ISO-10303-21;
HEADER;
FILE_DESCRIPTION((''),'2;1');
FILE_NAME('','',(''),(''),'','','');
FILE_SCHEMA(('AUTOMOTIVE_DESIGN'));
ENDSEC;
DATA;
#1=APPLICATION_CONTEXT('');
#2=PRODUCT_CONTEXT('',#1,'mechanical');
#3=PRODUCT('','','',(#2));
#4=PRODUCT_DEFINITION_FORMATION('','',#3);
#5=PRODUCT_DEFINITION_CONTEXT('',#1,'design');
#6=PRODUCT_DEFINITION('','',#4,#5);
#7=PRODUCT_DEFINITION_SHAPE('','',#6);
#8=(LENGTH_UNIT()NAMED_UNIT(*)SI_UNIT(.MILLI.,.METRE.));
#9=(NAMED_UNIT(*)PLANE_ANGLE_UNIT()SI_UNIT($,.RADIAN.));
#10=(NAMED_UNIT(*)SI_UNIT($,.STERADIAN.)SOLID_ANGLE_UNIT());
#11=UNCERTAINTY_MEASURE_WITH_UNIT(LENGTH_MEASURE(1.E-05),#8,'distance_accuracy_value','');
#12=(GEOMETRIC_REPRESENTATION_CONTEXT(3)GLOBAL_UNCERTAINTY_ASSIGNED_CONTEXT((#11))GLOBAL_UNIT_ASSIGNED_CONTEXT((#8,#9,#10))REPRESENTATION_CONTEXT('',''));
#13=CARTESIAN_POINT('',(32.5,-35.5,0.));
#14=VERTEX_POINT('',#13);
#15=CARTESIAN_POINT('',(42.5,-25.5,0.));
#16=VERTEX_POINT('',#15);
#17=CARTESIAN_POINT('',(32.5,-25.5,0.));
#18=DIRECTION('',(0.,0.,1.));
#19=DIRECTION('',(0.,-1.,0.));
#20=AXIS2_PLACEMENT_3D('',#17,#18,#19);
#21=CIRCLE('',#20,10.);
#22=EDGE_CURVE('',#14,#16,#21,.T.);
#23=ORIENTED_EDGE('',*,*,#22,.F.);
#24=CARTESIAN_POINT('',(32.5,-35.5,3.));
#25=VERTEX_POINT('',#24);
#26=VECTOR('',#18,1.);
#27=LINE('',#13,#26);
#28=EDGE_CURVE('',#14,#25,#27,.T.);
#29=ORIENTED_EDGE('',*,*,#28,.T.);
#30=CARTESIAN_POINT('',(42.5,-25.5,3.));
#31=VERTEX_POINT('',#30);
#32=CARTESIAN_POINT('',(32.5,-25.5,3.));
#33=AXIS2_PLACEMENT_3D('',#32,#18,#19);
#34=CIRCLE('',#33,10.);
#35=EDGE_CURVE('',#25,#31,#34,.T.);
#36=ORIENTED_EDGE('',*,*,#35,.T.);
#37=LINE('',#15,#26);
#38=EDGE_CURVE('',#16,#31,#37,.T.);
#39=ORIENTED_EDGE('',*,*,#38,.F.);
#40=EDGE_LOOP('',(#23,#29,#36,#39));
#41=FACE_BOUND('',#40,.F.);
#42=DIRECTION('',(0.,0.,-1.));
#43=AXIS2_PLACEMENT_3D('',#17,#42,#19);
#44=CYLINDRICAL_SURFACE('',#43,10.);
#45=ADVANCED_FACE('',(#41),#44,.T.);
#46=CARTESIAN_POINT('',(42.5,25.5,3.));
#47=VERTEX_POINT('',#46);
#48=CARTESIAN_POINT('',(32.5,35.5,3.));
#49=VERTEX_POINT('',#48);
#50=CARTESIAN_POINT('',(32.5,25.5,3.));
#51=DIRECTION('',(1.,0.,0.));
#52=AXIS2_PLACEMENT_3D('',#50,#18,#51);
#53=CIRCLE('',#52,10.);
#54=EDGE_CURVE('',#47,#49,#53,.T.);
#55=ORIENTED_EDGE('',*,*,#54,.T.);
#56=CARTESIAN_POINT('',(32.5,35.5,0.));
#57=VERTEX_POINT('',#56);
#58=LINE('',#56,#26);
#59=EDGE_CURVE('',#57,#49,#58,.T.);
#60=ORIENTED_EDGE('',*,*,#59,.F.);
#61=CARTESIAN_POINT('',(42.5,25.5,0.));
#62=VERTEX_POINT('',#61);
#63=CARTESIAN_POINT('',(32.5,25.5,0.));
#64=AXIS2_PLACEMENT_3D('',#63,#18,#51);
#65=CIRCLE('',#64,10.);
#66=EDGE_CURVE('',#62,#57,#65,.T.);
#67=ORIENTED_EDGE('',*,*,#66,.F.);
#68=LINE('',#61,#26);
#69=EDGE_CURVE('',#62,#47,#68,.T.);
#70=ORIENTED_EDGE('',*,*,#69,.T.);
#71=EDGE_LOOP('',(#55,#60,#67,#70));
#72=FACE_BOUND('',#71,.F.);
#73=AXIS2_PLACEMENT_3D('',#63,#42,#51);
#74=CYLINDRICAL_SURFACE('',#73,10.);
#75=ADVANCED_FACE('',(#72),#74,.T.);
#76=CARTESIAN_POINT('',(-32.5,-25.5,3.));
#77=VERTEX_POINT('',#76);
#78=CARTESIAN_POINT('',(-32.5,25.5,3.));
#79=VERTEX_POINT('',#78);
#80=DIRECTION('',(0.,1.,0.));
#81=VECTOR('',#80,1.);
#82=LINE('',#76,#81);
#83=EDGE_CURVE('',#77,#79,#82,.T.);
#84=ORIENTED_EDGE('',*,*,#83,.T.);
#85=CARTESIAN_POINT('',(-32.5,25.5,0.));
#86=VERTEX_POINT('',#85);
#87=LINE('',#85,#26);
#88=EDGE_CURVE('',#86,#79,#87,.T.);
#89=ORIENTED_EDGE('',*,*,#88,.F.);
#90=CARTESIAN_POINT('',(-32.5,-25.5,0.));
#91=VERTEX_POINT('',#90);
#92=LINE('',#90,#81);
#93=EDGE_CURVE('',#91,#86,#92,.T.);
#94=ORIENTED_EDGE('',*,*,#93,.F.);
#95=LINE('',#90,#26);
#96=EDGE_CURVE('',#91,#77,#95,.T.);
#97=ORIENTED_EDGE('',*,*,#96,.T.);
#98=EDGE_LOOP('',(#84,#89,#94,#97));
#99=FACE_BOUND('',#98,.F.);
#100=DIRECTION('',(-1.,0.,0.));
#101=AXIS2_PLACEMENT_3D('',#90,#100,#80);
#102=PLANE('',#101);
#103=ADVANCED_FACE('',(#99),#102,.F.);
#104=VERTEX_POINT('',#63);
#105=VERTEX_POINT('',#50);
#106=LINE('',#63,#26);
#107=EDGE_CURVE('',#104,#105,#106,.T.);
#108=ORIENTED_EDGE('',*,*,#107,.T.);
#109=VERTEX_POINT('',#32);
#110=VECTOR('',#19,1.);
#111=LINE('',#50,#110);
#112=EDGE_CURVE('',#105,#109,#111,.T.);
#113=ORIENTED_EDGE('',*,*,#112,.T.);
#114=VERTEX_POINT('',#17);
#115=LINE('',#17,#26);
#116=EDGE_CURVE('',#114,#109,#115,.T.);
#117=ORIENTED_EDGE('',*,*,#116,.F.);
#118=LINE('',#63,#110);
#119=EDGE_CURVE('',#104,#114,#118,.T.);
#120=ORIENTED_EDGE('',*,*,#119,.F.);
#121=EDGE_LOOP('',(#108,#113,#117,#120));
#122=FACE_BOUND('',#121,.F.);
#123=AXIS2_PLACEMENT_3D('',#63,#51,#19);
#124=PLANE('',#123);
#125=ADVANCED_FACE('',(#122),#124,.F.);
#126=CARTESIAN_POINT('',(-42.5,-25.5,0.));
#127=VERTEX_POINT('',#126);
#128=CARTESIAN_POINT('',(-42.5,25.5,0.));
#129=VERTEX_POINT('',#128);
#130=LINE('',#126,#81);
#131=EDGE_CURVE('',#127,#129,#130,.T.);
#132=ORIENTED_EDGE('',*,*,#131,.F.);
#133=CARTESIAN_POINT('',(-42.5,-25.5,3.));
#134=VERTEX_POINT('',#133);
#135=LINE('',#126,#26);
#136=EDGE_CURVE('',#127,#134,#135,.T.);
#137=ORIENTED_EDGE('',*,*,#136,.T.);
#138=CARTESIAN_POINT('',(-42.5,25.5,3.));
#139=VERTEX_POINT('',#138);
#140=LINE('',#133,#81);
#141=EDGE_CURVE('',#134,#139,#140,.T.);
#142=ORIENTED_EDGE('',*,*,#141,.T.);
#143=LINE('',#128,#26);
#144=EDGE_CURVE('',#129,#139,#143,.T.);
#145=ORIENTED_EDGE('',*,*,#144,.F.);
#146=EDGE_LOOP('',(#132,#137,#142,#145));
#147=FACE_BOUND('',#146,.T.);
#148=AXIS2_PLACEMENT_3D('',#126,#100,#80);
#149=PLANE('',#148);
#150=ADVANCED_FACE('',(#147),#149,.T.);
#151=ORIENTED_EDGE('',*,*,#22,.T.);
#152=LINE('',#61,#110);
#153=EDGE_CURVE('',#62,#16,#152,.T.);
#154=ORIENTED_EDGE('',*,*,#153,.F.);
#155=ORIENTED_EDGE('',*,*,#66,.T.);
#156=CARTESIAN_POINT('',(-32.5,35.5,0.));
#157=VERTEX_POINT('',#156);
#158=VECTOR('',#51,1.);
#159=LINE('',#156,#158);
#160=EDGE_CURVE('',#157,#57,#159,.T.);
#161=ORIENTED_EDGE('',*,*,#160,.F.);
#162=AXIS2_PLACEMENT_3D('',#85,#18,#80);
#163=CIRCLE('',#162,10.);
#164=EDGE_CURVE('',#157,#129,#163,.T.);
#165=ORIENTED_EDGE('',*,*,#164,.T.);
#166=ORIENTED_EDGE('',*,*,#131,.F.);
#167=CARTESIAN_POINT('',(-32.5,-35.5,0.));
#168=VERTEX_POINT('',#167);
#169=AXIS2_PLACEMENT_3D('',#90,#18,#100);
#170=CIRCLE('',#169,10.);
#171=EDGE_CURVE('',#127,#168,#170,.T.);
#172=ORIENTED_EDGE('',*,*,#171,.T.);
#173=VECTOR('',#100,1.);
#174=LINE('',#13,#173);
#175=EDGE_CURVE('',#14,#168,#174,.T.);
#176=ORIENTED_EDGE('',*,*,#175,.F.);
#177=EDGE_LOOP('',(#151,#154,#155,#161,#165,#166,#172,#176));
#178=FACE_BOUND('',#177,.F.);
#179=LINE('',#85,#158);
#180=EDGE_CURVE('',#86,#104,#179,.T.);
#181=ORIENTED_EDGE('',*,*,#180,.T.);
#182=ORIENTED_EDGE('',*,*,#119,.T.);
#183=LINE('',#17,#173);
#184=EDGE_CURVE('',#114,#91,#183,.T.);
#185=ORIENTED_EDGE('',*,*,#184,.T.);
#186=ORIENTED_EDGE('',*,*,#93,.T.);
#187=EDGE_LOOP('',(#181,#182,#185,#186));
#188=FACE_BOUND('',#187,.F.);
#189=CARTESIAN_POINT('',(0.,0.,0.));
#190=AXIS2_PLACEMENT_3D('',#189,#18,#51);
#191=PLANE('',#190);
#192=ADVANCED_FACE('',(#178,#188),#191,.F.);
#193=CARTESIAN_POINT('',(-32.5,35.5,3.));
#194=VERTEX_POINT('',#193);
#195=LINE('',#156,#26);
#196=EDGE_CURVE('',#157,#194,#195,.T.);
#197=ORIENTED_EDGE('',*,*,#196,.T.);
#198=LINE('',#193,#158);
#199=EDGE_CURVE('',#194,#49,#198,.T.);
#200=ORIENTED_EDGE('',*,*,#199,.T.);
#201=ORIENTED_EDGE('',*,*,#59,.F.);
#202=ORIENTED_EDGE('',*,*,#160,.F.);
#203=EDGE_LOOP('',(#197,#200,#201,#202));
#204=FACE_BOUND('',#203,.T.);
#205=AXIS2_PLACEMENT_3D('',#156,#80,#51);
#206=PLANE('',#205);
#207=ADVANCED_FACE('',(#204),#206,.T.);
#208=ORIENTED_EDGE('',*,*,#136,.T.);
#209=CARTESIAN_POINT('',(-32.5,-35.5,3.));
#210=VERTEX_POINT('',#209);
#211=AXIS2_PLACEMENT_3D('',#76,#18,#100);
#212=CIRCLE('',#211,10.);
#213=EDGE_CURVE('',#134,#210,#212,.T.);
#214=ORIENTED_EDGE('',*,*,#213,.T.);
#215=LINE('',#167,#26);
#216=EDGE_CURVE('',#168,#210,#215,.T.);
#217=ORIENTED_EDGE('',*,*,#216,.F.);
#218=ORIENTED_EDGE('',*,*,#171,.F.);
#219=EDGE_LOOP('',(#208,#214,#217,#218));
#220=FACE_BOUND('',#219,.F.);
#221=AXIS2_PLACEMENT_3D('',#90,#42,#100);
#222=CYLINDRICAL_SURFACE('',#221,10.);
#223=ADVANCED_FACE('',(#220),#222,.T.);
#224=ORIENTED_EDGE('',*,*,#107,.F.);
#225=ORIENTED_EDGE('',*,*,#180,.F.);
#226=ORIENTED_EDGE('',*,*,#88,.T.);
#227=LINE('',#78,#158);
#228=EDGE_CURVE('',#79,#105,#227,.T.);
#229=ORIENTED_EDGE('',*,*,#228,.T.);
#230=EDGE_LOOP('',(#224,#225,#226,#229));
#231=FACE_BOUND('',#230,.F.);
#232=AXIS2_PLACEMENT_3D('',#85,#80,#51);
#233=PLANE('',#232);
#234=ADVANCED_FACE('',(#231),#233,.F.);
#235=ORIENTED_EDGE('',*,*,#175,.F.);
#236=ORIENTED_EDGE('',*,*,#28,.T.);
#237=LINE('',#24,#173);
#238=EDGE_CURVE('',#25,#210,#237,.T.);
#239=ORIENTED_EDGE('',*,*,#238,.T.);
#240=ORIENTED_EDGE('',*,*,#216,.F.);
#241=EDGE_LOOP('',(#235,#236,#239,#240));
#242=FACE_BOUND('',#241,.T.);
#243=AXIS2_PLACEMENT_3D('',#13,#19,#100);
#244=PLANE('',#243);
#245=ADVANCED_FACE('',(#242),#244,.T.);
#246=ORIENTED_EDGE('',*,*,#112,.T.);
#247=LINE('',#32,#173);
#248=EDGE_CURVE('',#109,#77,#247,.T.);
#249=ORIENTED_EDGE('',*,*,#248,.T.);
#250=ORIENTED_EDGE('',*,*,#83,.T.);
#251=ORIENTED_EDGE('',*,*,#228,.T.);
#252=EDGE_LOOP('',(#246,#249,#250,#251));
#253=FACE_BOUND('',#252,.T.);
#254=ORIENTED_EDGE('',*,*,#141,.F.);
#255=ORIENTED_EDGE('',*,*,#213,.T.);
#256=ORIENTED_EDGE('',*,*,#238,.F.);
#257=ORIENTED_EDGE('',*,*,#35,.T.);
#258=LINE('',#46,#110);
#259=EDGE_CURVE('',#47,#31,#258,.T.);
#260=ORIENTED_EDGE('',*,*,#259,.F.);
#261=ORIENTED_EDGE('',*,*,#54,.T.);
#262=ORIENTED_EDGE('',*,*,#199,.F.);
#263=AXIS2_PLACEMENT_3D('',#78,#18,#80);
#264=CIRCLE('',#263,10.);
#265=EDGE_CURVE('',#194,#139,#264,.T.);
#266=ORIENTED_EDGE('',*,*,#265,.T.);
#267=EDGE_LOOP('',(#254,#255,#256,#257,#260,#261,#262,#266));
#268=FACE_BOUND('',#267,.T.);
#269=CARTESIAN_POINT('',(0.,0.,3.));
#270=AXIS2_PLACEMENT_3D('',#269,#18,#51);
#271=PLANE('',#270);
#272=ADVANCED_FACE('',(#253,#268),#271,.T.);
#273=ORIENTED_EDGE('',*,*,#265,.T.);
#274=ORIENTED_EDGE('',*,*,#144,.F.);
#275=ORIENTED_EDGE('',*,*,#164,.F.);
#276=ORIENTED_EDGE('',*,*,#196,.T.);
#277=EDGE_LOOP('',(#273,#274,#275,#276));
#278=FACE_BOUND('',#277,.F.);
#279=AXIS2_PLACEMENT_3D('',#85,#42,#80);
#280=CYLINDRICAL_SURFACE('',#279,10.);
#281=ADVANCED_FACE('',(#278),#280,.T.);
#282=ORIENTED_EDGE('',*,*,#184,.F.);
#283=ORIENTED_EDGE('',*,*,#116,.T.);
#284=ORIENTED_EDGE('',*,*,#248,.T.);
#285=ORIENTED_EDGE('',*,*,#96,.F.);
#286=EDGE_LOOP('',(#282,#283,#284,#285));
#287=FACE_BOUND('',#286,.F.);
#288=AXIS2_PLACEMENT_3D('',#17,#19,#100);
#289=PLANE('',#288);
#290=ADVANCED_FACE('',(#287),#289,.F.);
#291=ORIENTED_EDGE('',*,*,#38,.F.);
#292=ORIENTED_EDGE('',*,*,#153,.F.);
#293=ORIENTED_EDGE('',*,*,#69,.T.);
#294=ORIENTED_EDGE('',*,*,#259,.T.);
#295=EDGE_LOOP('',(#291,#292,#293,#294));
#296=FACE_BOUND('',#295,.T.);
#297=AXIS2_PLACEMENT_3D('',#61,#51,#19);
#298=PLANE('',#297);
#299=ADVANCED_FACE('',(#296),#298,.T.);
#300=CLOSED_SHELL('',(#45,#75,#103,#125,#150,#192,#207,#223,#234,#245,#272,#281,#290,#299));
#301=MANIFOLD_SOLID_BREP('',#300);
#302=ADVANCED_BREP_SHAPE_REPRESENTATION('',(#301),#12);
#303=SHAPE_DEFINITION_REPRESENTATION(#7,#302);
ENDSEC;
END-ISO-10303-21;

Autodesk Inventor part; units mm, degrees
ref_plane "YZ Plane" through (0, 0, 0) normal (1, 0, 0) x (0, 1, 0)
ref_plane "XZ Plane" through (0, 0, 0) normal (0, 1, 0) x (-1, 0, 0)
ref_plane "XY Plane" through (0, 0, 0) normal (0, 0, 1) x (1, 0, 0)
sketch "Sketch1" plane through (0, 0, 0) normal (0, 0, 1) x (1, 0, 0)
  line L0 (-32.5, 25.5) -> (32.5, 25.5)
  line L1 (32.5, 25.5) -> (32.5, -25.5)
  line L2 (32.5, -25.5) -> (-32.5, -25.5)
  line L3 (-32.5, -25.5) -> (-32.5, 25.5)
  line L4 (-32.5, 35.5) -> (32.5, 35.5)
  line L5 (42.5, 25.5) -> (42.5, -25.5)
  line L6 (32.5, -35.5) -> (-32.5, -35.5)
  line L7 (-42.5, -25.5) -> (-42.5, 25.5)
  arc A0 (-32.5, 35.5) -> (-42.5, 25.5) centre (-32.5, 25.5) ccw
  arc A1 (-42.5, -25.5) -> (-32.5, -35.5) centre (-32.5, -25.5) ccw
  arc A2 (32.5, -35.5) -> (42.5, -25.5) centre (32.5, -25.5) ccw
  arc A3 (42.5, 25.5) -> (32.5, 35.5) centre (32.5, 25.5) ccw
  point P0 (0, 0)
  point P1 (0, 25.5)
  point P2 (32.5, 0)
  point P3 (42.5, 0)
  point P4 (0, 35.5)
  dimension "d0" = 65
  dimension "d1" = 51
  dimension "d2" = 10
  dimension "d3" = 10
  dimension "d4" = 10
extrude "Extrusion1" add sketch "Sketch1" along normal blind 3
equation "\"d4\" = d3"
properties part number "Front_stopper2" material "Polycarbonate, Clear"
